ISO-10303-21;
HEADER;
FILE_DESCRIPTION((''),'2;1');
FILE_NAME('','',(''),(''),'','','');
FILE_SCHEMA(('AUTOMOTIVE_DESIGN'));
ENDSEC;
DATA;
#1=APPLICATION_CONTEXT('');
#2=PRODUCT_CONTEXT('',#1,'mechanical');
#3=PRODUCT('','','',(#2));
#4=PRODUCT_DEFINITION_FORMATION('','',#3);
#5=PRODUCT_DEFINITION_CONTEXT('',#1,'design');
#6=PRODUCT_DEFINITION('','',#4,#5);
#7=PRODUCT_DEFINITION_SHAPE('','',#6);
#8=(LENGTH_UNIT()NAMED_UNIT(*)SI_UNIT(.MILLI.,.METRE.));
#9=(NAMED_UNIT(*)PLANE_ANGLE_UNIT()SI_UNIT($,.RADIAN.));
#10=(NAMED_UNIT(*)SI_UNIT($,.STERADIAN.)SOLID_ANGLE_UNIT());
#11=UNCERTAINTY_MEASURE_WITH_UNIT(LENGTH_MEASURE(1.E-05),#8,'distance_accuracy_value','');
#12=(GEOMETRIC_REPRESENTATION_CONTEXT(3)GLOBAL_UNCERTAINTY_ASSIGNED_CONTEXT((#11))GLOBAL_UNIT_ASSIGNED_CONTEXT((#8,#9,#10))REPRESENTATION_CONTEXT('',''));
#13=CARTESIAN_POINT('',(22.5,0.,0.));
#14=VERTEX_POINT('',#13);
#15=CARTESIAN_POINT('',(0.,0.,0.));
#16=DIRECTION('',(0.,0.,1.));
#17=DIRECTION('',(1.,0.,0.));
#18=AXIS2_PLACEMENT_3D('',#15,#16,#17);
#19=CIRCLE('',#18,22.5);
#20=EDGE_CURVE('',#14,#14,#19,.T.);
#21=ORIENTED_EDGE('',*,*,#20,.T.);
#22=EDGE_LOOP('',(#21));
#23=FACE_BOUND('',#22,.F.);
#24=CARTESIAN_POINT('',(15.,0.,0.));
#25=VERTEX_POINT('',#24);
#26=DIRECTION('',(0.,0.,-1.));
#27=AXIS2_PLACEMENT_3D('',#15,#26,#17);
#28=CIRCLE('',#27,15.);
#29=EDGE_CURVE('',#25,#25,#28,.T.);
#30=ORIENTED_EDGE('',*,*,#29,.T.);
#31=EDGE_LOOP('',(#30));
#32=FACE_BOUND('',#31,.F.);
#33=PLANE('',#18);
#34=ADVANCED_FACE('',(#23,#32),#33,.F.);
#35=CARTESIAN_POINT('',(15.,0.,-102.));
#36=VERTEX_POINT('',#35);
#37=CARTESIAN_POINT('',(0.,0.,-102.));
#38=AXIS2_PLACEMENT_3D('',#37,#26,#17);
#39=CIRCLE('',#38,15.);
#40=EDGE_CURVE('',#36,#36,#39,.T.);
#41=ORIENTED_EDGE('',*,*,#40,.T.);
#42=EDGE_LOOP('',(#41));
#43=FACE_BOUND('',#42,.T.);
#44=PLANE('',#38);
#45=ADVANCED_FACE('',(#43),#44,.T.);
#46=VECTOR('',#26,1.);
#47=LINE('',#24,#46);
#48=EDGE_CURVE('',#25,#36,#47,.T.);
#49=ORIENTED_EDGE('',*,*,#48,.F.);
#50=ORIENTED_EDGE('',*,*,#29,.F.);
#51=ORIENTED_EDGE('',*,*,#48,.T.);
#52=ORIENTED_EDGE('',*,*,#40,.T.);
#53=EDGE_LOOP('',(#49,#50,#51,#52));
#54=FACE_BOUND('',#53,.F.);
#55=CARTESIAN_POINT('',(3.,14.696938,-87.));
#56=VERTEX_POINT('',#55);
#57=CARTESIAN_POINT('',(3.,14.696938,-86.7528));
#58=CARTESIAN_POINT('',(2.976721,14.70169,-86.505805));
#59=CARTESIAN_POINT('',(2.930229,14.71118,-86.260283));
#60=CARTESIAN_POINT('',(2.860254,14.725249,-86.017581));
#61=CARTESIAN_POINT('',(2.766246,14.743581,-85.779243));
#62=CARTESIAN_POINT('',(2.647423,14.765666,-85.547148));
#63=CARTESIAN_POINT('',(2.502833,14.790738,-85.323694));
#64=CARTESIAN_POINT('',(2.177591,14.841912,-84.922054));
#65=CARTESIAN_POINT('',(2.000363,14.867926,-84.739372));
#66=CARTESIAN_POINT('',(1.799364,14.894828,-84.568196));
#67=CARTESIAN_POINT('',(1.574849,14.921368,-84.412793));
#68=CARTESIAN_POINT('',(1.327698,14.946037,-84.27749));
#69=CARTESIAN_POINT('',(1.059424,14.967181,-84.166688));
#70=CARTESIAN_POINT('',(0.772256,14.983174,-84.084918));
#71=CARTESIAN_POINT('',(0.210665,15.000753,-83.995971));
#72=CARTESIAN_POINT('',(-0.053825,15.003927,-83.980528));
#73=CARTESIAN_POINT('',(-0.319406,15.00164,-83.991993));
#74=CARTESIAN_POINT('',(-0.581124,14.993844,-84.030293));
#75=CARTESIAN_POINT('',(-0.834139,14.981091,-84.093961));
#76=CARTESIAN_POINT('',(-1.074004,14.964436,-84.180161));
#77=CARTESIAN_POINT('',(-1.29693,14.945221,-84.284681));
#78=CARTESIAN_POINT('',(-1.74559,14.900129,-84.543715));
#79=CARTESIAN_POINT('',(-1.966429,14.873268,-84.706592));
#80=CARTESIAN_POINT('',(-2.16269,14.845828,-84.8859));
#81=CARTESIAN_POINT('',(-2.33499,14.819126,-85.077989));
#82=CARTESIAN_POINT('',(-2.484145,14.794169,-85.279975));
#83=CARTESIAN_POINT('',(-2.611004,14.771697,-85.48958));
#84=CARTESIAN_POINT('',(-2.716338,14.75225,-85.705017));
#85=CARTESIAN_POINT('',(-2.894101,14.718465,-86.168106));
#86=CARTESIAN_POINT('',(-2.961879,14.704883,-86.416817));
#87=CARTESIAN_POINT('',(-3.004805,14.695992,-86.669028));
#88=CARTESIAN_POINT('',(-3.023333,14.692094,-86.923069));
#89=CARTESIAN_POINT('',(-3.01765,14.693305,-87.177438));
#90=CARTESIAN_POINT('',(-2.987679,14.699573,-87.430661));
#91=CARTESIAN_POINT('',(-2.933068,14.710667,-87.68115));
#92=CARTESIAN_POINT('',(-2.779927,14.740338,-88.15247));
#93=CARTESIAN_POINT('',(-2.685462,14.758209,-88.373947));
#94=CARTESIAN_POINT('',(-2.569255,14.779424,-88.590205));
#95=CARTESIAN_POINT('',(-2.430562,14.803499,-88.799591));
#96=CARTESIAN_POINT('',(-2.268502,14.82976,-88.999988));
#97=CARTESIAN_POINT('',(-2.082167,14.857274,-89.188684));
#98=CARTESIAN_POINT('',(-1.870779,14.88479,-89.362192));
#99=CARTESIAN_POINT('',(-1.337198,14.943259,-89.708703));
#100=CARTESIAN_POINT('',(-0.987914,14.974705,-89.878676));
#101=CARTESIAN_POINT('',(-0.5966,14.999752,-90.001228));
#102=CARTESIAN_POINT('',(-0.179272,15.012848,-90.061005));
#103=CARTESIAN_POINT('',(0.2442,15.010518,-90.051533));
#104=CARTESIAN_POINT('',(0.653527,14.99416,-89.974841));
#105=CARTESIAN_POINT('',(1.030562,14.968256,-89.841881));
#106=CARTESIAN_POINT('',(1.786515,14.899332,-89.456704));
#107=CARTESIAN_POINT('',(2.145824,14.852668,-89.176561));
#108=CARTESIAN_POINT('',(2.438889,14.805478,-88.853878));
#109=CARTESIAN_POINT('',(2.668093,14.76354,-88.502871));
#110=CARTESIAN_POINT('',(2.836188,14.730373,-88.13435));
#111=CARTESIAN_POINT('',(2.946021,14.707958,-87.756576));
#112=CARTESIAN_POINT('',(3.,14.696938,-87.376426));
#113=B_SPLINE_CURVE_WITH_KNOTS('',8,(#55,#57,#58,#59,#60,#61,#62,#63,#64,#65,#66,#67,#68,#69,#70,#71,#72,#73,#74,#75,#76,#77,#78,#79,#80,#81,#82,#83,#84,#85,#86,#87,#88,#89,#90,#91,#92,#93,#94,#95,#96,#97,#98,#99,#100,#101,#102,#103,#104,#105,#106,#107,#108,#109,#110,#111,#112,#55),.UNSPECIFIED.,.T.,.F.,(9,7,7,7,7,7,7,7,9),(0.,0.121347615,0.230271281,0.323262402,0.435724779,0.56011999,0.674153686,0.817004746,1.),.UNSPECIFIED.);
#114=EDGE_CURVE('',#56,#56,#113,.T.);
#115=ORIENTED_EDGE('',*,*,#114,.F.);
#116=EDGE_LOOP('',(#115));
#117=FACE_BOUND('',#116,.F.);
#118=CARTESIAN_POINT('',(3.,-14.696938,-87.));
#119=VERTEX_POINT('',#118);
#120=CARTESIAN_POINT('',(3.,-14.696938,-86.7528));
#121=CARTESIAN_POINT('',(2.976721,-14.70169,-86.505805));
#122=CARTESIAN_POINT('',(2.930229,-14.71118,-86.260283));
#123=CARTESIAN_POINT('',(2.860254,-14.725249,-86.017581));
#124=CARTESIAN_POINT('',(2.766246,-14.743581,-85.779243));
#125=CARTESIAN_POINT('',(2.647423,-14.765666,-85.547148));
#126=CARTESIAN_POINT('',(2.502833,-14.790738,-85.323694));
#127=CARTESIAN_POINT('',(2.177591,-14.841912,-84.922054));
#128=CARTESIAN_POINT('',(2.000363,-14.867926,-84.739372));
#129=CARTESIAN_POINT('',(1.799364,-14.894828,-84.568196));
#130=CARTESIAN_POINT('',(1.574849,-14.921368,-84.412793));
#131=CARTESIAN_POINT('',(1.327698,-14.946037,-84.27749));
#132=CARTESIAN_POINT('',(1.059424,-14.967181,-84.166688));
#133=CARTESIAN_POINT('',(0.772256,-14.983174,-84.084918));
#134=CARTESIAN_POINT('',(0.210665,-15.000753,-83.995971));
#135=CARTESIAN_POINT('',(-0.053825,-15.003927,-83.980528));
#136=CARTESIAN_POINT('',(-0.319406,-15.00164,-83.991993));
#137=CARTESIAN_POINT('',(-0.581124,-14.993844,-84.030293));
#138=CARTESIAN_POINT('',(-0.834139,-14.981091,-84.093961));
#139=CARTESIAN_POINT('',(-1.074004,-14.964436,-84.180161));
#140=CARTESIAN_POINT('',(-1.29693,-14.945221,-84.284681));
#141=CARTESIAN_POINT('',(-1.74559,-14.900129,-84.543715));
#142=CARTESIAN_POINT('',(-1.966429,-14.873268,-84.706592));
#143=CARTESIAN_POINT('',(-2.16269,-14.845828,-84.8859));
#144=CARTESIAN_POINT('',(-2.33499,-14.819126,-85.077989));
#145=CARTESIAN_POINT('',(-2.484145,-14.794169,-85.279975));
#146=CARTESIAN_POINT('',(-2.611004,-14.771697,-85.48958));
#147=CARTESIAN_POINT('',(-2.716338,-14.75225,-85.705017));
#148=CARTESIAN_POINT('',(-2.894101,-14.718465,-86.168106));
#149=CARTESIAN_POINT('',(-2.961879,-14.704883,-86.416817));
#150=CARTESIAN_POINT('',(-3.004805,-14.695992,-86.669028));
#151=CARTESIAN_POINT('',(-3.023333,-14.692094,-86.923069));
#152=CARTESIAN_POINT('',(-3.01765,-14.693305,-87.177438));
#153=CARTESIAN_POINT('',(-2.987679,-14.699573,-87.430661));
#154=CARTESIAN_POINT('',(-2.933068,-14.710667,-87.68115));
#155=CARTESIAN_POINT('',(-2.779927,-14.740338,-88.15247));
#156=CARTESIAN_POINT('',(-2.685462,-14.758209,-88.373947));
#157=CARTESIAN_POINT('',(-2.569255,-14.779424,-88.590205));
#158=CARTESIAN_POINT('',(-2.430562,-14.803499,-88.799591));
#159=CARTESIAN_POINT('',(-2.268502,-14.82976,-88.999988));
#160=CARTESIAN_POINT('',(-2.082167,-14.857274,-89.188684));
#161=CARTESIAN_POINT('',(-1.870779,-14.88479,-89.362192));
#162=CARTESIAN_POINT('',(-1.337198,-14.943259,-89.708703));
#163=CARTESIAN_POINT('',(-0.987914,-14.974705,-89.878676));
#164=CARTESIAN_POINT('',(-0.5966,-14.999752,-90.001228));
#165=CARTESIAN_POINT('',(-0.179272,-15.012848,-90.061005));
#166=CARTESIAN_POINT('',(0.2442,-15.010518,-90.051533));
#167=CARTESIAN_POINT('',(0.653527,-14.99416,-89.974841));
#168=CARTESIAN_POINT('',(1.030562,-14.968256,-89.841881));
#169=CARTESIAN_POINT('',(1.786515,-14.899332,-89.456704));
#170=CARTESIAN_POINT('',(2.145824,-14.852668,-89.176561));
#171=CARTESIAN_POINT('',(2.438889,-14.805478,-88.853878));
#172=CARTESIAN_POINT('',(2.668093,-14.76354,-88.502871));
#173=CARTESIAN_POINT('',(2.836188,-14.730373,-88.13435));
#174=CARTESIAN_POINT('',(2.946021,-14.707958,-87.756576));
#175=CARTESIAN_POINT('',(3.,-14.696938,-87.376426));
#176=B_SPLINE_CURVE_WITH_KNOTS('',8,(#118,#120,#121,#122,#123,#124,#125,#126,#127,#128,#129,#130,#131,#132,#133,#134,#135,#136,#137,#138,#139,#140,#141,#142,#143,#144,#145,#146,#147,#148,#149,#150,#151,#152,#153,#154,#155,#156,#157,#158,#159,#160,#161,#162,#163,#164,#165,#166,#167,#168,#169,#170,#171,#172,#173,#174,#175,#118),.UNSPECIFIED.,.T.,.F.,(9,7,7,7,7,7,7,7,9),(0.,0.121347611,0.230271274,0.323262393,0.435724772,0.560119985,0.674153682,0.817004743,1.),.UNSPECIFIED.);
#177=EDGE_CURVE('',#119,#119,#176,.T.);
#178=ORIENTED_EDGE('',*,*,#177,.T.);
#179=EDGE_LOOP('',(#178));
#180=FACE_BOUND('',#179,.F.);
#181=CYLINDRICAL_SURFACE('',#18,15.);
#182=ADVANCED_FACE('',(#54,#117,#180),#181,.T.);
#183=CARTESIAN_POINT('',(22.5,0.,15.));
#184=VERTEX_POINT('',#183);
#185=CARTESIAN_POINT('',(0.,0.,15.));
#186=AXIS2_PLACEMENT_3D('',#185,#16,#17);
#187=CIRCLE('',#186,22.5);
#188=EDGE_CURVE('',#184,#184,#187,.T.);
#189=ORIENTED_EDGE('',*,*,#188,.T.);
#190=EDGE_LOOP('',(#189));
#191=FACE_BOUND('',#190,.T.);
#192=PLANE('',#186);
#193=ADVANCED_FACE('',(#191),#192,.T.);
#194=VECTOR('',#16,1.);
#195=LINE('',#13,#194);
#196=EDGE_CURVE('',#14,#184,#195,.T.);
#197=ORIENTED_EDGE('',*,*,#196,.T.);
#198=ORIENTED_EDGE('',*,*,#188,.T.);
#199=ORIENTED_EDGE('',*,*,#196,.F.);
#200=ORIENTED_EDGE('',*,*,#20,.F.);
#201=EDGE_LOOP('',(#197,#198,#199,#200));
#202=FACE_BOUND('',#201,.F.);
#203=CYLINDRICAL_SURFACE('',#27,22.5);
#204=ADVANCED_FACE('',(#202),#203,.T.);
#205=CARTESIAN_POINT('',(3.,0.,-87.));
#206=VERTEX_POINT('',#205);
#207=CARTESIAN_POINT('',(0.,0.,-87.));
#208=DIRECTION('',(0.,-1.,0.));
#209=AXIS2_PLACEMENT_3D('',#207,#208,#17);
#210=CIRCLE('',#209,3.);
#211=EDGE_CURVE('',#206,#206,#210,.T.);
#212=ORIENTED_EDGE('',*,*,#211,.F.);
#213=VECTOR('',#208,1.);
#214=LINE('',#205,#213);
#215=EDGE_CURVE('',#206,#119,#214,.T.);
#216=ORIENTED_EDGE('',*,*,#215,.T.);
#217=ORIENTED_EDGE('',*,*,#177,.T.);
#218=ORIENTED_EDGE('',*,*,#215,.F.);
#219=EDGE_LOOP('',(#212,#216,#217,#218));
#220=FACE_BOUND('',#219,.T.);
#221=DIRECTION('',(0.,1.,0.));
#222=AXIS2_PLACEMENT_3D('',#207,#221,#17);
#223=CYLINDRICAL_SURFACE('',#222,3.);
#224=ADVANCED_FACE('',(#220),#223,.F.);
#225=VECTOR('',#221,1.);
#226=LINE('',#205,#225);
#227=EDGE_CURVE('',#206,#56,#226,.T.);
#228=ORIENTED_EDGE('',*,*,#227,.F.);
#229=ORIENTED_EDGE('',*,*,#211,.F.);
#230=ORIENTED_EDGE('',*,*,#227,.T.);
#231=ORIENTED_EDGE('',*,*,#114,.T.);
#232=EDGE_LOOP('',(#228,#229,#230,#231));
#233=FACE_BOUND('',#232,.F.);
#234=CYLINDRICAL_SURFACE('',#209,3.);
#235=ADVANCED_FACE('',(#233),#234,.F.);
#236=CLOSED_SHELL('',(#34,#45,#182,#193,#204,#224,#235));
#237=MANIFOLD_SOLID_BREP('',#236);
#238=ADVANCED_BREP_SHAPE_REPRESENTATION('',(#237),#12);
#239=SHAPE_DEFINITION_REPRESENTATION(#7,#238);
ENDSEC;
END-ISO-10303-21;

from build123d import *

# Parameters (mm, degrees)
SKETCH004_R          = 22.5
PAD003_DEPTH         = 15
SKETCH005_R          = 15
PAD004_DEPTH         = 102
SKETCH006_R          = 3
POCKET001_DEPTH      = 22.501
POCKET001_DEPTH_BACK = 22.501


with BuildPart() as part:
    # Sketch004 → Pad003 (new body)
    with BuildSketch(Plane.XY):
        Circle(SKETCH004_R)
    extrude(amount=PAD003_DEPTH)

    # Sketch005 (on Face2 of Pad003) → Pad004 (join)
    with BuildSketch(Plane(origin=(0, 0, 0), x_dir=(1, 0, 0), z_dir=(0, 0, -1))):
        Circle(SKETCH005_R)
    extrude(amount=PAD004_DEPTH)

    # Sketch006 → Pocket001 (cut, two sides)
    with BuildSketch(Plane.XZ) as pocket001_sk:
        with Locations((0, -87)):
            Circle(SKETCH006_R)
    extrude(amount=-POCKET001_DEPTH, mode=Mode.SUBTRACT)
    extrude(pocket001_sk.sketch, amount=POCKET001_DEPTH_BACK, mode=Mode.SUBTRACT)


solid = part.part
